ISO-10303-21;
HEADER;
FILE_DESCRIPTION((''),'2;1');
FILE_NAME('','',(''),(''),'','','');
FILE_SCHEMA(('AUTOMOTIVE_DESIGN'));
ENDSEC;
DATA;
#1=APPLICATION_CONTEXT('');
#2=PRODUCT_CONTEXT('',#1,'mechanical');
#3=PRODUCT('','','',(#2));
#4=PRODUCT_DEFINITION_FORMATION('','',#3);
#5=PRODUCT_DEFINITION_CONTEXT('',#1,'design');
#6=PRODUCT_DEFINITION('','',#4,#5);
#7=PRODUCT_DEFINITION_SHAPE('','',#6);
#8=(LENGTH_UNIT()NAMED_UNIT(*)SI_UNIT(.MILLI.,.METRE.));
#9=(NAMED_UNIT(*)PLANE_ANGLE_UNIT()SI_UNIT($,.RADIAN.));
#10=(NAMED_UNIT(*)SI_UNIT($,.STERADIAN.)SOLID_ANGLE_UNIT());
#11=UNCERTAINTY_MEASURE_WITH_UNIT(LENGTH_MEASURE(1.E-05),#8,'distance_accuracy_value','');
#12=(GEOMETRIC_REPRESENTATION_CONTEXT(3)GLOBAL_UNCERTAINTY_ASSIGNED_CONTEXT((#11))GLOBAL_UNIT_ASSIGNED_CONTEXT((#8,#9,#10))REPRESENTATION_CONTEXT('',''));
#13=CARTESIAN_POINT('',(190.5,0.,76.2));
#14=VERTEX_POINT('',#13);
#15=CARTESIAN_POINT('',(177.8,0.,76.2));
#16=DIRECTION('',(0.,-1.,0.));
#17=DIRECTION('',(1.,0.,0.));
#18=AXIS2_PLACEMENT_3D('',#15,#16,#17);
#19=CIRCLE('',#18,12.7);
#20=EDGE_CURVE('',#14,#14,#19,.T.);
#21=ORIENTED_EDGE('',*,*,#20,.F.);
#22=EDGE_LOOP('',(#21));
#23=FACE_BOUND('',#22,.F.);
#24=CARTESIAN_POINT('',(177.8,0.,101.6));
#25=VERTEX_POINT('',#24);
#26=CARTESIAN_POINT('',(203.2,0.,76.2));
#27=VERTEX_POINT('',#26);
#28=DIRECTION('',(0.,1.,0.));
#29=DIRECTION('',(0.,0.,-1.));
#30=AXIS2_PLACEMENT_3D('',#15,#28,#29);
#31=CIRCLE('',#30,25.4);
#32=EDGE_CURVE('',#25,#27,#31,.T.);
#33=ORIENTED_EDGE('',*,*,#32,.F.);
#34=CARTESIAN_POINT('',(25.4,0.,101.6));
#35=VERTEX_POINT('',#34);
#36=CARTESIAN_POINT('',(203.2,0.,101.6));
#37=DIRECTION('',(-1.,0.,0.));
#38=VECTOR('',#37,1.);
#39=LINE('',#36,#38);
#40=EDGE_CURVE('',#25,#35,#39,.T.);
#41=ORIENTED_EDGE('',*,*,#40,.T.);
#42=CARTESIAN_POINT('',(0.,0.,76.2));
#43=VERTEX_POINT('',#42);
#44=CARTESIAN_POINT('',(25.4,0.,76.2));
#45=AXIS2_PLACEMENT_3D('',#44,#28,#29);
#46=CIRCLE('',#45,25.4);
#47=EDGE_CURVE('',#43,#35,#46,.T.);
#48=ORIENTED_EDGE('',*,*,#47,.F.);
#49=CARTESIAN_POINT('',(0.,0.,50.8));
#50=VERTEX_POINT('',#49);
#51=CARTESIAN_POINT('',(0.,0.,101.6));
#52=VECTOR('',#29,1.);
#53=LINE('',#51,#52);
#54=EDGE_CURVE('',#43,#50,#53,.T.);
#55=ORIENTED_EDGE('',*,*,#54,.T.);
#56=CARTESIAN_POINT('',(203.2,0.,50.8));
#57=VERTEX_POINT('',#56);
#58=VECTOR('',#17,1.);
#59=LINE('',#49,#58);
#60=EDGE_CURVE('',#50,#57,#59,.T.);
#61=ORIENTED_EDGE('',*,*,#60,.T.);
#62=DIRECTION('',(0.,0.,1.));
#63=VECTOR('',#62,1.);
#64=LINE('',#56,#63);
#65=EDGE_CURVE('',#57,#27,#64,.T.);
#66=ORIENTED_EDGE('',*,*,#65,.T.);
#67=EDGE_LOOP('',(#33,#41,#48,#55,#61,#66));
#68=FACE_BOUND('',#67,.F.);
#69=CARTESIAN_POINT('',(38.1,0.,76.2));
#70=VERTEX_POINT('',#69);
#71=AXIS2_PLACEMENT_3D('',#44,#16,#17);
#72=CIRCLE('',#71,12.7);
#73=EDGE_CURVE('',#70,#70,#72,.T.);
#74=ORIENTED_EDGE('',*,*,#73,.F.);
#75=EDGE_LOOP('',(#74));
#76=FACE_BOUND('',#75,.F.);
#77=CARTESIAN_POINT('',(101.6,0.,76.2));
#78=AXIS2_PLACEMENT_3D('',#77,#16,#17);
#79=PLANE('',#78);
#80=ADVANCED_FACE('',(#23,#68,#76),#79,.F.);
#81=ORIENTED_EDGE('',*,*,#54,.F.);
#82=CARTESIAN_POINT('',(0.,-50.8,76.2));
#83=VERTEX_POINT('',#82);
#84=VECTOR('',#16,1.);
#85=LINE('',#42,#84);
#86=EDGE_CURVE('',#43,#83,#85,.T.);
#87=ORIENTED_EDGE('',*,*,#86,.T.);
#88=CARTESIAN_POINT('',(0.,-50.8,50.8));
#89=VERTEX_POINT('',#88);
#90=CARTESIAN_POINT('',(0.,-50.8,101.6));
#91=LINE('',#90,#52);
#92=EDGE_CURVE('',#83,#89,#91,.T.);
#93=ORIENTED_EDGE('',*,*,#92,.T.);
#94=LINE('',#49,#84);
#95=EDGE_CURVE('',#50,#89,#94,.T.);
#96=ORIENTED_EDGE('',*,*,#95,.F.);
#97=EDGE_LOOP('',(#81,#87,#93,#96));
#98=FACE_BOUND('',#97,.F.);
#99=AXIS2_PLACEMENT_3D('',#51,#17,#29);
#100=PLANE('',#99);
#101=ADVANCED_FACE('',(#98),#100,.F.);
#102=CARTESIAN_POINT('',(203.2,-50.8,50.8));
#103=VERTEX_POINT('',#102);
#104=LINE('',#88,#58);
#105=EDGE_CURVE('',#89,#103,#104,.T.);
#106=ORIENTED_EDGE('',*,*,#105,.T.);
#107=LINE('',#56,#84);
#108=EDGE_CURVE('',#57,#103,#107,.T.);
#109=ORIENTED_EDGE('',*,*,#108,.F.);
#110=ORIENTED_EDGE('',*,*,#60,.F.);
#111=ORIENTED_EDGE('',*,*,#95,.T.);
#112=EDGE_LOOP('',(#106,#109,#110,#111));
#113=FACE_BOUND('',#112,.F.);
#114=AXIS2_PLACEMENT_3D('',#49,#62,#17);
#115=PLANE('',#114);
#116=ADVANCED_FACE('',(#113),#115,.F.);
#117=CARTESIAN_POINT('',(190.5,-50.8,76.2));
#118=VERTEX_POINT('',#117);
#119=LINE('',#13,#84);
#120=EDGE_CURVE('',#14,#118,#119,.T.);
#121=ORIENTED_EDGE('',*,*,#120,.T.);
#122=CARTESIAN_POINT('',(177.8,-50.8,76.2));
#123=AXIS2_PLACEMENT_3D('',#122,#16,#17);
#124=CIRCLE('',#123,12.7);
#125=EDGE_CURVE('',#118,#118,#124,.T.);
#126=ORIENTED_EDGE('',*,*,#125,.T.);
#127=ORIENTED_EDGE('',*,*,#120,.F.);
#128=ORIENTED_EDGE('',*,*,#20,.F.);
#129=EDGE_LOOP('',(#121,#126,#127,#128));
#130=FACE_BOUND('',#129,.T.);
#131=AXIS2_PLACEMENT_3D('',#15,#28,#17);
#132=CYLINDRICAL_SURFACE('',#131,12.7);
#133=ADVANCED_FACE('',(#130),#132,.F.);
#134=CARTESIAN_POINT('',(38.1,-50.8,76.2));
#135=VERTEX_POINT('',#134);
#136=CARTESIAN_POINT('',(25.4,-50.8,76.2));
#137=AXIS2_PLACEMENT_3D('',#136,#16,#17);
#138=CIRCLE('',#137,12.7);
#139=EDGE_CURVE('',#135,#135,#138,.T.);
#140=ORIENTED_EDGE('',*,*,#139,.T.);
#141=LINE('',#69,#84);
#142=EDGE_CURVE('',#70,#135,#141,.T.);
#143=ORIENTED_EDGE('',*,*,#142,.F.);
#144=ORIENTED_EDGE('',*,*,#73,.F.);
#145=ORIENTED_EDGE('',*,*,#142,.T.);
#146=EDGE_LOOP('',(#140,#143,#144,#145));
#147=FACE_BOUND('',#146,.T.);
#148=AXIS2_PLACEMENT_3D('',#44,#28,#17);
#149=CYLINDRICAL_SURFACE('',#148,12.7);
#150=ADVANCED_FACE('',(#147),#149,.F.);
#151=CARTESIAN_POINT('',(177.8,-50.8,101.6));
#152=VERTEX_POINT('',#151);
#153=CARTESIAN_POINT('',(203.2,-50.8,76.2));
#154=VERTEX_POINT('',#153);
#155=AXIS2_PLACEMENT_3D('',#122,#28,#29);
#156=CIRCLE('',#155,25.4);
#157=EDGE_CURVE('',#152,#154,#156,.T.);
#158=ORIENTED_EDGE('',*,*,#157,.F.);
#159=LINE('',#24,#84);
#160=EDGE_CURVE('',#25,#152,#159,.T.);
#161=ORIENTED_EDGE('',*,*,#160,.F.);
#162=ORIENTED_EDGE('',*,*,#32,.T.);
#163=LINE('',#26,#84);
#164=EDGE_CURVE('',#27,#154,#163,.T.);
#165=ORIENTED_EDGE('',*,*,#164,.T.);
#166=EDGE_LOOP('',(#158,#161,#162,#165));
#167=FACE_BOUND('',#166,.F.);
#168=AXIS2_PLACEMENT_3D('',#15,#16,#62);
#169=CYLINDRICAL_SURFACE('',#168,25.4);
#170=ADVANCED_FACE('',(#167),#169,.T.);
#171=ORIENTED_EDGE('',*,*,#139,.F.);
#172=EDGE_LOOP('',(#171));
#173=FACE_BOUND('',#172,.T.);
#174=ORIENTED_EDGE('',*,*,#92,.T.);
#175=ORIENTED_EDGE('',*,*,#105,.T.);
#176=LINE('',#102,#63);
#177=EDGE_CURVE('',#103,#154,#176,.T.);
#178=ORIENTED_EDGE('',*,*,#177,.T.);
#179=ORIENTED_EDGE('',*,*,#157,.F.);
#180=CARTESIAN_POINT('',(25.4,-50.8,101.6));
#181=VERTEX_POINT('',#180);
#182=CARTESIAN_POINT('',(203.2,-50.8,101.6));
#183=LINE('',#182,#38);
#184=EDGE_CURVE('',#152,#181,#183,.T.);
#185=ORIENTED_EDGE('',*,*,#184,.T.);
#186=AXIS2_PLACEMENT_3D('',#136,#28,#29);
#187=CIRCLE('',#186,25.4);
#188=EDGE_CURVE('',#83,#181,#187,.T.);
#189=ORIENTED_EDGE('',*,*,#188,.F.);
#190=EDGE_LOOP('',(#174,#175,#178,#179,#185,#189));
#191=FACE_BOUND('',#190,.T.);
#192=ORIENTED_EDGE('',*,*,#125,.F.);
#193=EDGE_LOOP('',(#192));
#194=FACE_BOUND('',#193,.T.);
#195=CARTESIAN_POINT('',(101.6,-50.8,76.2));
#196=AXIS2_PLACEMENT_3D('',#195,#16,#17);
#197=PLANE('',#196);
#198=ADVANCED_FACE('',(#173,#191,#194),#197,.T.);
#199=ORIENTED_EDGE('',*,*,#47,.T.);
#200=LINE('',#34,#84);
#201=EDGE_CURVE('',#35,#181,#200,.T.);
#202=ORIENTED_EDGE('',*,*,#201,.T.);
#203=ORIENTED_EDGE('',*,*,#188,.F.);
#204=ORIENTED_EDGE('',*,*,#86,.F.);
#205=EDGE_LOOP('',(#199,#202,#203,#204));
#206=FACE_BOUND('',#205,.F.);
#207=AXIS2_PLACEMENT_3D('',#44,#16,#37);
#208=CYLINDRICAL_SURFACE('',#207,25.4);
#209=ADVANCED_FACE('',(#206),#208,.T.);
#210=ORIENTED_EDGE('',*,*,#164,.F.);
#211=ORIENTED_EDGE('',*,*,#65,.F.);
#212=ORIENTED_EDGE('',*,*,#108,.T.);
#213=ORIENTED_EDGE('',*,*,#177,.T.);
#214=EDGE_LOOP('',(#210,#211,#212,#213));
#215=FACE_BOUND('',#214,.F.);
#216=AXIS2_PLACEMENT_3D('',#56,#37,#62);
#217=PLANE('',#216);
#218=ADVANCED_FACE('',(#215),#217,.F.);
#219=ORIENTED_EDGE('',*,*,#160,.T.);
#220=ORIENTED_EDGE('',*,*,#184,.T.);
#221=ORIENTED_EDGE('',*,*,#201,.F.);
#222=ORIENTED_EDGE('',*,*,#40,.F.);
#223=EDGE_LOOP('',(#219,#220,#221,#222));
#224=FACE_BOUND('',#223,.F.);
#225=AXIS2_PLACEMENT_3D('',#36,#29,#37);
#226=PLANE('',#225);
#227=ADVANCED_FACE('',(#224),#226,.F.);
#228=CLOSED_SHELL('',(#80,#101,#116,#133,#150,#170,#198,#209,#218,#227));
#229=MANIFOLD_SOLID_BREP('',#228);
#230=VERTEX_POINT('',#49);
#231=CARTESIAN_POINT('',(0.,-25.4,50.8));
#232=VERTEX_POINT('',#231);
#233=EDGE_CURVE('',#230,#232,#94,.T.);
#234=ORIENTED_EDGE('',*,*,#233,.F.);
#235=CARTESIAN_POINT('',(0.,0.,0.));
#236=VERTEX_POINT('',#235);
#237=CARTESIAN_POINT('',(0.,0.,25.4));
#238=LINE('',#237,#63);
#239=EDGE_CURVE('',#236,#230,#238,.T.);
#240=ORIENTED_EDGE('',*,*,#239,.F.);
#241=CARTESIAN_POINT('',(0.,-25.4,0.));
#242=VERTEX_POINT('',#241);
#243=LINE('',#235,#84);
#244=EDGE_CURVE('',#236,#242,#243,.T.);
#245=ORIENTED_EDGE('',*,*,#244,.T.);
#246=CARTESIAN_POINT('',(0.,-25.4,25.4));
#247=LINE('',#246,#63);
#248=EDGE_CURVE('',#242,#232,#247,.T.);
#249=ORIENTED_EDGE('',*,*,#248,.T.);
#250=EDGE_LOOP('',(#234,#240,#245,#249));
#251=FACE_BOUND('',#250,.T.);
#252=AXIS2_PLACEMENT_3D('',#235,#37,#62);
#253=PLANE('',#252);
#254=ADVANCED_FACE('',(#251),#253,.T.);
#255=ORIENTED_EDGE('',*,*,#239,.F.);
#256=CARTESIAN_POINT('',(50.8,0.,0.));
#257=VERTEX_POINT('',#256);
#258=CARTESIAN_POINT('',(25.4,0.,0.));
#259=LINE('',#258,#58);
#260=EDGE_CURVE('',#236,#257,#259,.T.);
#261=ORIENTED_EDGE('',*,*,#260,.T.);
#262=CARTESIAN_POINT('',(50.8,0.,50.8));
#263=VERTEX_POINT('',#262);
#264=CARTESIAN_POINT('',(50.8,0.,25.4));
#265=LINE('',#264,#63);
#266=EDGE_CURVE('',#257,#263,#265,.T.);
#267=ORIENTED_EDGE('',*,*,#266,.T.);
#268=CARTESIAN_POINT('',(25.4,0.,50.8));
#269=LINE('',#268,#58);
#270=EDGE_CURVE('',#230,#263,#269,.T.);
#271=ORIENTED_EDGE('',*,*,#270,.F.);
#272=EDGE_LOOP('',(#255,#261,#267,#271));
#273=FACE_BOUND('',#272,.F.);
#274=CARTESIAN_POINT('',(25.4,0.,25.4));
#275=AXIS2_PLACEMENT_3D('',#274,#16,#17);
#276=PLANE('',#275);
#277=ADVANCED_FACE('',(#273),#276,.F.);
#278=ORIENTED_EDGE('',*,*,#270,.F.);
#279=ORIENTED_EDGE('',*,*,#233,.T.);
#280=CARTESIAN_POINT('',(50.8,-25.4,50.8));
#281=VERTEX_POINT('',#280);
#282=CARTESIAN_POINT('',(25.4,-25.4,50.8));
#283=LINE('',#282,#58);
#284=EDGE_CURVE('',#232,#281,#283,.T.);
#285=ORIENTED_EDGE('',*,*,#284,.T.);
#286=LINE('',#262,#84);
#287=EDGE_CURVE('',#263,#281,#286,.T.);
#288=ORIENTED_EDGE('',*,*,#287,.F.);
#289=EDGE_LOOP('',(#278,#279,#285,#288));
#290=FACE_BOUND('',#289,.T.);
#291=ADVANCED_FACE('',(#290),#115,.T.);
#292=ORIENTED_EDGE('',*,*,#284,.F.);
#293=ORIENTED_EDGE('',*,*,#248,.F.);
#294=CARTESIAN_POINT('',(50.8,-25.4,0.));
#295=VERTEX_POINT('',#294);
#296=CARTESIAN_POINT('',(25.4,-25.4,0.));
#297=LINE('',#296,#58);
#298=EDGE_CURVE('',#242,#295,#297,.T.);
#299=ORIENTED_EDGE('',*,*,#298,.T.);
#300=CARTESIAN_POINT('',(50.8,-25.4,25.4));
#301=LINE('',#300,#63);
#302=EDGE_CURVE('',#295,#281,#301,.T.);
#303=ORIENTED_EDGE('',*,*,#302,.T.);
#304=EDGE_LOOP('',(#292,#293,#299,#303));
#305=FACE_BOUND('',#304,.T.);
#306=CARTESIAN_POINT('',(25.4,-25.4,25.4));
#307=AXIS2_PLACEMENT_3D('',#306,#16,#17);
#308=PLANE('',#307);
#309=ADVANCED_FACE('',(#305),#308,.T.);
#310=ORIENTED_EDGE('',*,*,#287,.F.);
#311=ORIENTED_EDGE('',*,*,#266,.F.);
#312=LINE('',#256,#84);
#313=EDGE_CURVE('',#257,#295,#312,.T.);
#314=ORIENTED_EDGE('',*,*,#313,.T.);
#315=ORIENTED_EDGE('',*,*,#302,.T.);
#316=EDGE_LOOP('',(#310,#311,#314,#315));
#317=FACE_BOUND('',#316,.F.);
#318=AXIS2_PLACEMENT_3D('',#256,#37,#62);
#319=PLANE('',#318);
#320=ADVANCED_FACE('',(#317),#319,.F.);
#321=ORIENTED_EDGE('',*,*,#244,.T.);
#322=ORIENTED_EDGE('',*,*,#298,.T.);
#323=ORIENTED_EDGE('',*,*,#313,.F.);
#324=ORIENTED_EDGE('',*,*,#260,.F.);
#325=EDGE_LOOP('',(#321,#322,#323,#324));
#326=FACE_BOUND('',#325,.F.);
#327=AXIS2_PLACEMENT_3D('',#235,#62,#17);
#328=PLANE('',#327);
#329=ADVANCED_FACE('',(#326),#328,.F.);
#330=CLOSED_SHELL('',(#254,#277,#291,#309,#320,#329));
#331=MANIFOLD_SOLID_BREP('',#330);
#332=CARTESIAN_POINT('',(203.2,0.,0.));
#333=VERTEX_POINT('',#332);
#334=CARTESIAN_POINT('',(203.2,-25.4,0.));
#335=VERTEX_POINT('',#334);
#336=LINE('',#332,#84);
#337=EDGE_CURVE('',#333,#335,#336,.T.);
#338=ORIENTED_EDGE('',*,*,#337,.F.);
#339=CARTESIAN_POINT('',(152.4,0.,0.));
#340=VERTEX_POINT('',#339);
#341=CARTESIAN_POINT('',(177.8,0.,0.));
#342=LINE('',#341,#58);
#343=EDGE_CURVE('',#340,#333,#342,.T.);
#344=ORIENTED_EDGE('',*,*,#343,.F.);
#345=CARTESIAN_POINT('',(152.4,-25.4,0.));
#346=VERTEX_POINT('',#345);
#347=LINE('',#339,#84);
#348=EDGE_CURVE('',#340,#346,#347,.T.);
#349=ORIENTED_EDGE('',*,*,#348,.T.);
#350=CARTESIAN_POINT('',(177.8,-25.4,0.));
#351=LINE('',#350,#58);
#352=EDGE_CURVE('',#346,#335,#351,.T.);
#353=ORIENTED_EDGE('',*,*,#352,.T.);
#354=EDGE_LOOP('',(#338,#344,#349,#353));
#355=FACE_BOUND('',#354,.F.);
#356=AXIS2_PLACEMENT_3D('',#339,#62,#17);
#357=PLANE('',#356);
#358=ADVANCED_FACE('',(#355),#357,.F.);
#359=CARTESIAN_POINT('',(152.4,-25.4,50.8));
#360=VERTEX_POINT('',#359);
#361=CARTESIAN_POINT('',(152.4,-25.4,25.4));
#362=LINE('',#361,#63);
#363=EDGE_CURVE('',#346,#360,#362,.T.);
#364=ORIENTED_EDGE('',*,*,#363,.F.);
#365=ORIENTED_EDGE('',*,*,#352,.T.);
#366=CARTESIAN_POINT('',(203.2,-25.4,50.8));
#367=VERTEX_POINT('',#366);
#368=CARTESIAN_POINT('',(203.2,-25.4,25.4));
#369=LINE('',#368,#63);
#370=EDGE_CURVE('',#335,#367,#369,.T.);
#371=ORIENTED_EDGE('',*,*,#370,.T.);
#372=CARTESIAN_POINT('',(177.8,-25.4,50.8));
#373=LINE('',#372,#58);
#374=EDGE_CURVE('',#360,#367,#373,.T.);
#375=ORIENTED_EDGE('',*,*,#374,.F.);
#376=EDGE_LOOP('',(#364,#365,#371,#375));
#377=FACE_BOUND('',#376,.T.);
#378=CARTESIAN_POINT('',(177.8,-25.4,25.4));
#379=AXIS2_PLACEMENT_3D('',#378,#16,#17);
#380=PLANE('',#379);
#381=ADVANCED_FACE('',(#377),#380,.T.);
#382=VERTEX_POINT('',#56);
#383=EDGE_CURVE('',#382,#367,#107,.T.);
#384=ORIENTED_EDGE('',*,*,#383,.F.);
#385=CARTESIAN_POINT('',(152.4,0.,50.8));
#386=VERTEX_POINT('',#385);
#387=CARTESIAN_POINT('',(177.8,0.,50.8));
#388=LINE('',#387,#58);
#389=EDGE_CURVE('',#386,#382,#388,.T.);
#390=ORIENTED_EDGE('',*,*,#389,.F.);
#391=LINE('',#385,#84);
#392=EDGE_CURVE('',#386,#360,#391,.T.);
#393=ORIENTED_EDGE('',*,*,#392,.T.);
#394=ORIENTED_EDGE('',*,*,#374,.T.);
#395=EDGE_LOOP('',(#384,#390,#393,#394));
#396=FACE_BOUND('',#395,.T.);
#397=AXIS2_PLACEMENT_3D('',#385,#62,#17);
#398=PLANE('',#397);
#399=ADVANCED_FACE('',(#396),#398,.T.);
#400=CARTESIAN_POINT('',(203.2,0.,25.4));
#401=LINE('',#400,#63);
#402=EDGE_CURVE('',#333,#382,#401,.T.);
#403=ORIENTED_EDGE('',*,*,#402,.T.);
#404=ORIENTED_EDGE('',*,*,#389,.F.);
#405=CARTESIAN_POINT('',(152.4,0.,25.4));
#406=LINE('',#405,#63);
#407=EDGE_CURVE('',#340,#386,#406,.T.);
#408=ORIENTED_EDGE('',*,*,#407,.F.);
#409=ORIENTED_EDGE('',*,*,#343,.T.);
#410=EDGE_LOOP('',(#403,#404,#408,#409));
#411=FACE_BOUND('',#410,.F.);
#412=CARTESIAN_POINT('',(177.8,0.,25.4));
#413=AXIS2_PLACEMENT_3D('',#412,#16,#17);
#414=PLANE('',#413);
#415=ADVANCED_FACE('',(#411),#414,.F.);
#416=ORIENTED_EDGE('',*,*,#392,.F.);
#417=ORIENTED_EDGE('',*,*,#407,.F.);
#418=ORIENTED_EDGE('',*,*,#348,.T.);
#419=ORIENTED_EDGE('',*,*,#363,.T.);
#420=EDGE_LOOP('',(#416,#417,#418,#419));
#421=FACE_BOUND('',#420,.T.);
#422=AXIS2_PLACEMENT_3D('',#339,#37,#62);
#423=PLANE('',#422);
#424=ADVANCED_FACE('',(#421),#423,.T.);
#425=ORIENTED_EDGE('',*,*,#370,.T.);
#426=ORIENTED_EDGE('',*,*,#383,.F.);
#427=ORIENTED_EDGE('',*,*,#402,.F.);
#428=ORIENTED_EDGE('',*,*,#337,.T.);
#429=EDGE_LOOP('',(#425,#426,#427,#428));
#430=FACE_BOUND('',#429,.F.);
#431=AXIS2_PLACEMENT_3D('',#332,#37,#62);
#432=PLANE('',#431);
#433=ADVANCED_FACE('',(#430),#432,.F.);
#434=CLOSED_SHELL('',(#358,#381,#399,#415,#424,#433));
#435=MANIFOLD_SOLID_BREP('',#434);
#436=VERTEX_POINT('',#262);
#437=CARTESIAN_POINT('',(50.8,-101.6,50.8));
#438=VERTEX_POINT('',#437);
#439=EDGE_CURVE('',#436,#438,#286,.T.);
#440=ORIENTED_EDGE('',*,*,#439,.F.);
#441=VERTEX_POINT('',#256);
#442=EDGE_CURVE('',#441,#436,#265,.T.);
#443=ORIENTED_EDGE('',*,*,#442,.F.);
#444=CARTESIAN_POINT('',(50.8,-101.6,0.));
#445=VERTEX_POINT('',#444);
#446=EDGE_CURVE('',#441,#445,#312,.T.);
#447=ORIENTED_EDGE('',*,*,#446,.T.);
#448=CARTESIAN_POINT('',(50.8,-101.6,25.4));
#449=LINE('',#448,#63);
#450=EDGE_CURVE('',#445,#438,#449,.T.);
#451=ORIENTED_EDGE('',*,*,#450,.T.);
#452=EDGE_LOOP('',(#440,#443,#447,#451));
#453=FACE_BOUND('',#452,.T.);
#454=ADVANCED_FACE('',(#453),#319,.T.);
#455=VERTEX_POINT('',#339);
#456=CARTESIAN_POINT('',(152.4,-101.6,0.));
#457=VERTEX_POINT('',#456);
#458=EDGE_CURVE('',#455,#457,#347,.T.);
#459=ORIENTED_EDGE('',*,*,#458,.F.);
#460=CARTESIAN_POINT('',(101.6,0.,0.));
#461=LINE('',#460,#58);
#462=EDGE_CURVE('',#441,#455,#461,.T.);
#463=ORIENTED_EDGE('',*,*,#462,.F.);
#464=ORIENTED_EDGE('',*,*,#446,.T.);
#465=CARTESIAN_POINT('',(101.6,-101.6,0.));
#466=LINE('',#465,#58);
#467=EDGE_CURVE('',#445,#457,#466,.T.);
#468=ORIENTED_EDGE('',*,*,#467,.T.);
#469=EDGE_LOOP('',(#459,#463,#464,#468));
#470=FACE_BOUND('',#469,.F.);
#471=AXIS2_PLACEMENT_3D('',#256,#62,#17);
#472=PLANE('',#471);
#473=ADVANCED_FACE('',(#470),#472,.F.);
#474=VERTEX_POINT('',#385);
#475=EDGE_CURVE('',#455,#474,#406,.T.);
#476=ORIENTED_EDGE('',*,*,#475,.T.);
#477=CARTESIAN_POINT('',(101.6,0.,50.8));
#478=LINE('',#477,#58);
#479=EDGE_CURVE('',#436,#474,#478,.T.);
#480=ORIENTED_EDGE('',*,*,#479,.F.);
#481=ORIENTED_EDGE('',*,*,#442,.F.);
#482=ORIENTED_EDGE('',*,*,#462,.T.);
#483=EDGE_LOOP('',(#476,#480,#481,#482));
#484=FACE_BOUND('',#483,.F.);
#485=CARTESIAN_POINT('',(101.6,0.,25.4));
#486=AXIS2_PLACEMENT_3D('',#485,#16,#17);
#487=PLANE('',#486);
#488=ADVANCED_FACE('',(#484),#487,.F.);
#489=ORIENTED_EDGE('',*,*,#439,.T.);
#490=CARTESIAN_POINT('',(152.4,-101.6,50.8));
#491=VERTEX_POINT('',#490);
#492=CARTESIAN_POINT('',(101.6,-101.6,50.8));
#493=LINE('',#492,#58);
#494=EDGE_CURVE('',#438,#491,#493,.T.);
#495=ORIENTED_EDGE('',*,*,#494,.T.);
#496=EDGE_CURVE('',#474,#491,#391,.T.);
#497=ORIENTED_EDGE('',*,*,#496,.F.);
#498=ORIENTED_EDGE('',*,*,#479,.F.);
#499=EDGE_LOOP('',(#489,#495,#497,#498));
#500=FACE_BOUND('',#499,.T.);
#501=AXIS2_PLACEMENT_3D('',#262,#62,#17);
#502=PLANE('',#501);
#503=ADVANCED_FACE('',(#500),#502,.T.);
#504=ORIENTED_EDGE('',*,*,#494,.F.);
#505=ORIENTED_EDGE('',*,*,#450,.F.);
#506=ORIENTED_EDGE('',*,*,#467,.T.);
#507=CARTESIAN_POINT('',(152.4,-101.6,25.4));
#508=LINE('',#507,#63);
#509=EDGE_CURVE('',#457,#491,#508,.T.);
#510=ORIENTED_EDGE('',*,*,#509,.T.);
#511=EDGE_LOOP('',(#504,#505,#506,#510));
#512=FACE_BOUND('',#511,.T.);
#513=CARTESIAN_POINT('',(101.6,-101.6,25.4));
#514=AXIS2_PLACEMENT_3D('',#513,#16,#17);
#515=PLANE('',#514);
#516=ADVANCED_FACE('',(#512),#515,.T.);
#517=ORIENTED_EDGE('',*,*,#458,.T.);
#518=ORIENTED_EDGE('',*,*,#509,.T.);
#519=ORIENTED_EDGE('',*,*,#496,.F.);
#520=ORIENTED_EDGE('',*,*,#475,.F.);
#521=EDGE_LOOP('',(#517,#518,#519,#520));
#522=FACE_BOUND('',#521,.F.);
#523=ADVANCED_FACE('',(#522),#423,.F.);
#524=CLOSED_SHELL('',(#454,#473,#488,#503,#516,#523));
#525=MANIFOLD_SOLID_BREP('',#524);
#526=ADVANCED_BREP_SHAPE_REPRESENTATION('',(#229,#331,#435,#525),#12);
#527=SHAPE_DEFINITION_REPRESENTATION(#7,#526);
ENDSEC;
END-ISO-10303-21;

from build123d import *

# Parameters (mm, degrees)
F0_W     = 50.8
F0_H     = 50.8
F1_DEPTH = 25.4
F2_DEPTH = 25.4
F0_W_2   = 101.6
F3_DEPTH = 101.6
F0_R     = 12.7
F4_DEPTH = 50.8
F5_R     = 25.4
F6_R     = 25.4
F7_DEPTH = 25.4


with BuildPart() as f1:
    # F0 (on Front) → F1 (new body)
    with BuildSketch(Plane.XZ):
        with Locations((25.4, 25.4)):
            Rectangle(F0_W, F0_H)
    extrude(amount=F1_DEPTH)

    # F0 (on Front) → F7 (cut)
    with BuildSketch(Plane.XZ):
        with Locations((177.8, 76.2)):
            Circle(F0_R)
        with Locations((25.4, 76.2)):
            Circle(F0_R)
    extrude(amount=-F7_DEPTH, mode=Mode.SUBTRACT)


with BuildPart() as f2:
    # F0 (on Front) → F2 (new body)
    with BuildSketch(Plane.XZ):
        with Locations((177.8, 25.4)):
            Rectangle(F0_W, F0_H)
    extrude(amount=F2_DEPTH)


with BuildPart() as f3:
    # F0 (on Front) → F3 (new body)
    with BuildSketch(Plane.XZ):
        with Locations((101.6, 25.4)):
            Rectangle(F0_W_2, F0_H)
    extrude(amount=F3_DEPTH)


with BuildPart() as f4:
    # F0 (on Front) → F4 (new body)
    with BuildSketch(Plane.XZ):
        Polygon((0, 101.6), (0, 50.8), (50.8, 50.8), (152.4, 50.8), (203.2, 50.8), (203.2, 76.2), (203.2, 101.6), align=None)
        with Locations((25.4, 76.2)):
            Circle(F0_R, mode=Mode.SUBTRACT)
        with Locations((177.8, 76.2)):
            Circle(F0_R, mode=Mode.SUBTRACT)
    extrude(amount=F4_DEPTH)

    # F5
    f5_edges = [f4.edges().sort_by_distance(p)[0] for p in [
        (0, -25.4, 101.6),
    ]]
    fillet(f5_edges, radius=F5_R)

    # F6
    f6_edges = [f4.edges().sort_by_distance(p)[0] for p in [
        (203.2, -25.4, 101.6),
    ]]
    fillet(f6_edges, radius=F6_R)


solid = Compound([f1.part, f2.part, f3.part, f4.part])
